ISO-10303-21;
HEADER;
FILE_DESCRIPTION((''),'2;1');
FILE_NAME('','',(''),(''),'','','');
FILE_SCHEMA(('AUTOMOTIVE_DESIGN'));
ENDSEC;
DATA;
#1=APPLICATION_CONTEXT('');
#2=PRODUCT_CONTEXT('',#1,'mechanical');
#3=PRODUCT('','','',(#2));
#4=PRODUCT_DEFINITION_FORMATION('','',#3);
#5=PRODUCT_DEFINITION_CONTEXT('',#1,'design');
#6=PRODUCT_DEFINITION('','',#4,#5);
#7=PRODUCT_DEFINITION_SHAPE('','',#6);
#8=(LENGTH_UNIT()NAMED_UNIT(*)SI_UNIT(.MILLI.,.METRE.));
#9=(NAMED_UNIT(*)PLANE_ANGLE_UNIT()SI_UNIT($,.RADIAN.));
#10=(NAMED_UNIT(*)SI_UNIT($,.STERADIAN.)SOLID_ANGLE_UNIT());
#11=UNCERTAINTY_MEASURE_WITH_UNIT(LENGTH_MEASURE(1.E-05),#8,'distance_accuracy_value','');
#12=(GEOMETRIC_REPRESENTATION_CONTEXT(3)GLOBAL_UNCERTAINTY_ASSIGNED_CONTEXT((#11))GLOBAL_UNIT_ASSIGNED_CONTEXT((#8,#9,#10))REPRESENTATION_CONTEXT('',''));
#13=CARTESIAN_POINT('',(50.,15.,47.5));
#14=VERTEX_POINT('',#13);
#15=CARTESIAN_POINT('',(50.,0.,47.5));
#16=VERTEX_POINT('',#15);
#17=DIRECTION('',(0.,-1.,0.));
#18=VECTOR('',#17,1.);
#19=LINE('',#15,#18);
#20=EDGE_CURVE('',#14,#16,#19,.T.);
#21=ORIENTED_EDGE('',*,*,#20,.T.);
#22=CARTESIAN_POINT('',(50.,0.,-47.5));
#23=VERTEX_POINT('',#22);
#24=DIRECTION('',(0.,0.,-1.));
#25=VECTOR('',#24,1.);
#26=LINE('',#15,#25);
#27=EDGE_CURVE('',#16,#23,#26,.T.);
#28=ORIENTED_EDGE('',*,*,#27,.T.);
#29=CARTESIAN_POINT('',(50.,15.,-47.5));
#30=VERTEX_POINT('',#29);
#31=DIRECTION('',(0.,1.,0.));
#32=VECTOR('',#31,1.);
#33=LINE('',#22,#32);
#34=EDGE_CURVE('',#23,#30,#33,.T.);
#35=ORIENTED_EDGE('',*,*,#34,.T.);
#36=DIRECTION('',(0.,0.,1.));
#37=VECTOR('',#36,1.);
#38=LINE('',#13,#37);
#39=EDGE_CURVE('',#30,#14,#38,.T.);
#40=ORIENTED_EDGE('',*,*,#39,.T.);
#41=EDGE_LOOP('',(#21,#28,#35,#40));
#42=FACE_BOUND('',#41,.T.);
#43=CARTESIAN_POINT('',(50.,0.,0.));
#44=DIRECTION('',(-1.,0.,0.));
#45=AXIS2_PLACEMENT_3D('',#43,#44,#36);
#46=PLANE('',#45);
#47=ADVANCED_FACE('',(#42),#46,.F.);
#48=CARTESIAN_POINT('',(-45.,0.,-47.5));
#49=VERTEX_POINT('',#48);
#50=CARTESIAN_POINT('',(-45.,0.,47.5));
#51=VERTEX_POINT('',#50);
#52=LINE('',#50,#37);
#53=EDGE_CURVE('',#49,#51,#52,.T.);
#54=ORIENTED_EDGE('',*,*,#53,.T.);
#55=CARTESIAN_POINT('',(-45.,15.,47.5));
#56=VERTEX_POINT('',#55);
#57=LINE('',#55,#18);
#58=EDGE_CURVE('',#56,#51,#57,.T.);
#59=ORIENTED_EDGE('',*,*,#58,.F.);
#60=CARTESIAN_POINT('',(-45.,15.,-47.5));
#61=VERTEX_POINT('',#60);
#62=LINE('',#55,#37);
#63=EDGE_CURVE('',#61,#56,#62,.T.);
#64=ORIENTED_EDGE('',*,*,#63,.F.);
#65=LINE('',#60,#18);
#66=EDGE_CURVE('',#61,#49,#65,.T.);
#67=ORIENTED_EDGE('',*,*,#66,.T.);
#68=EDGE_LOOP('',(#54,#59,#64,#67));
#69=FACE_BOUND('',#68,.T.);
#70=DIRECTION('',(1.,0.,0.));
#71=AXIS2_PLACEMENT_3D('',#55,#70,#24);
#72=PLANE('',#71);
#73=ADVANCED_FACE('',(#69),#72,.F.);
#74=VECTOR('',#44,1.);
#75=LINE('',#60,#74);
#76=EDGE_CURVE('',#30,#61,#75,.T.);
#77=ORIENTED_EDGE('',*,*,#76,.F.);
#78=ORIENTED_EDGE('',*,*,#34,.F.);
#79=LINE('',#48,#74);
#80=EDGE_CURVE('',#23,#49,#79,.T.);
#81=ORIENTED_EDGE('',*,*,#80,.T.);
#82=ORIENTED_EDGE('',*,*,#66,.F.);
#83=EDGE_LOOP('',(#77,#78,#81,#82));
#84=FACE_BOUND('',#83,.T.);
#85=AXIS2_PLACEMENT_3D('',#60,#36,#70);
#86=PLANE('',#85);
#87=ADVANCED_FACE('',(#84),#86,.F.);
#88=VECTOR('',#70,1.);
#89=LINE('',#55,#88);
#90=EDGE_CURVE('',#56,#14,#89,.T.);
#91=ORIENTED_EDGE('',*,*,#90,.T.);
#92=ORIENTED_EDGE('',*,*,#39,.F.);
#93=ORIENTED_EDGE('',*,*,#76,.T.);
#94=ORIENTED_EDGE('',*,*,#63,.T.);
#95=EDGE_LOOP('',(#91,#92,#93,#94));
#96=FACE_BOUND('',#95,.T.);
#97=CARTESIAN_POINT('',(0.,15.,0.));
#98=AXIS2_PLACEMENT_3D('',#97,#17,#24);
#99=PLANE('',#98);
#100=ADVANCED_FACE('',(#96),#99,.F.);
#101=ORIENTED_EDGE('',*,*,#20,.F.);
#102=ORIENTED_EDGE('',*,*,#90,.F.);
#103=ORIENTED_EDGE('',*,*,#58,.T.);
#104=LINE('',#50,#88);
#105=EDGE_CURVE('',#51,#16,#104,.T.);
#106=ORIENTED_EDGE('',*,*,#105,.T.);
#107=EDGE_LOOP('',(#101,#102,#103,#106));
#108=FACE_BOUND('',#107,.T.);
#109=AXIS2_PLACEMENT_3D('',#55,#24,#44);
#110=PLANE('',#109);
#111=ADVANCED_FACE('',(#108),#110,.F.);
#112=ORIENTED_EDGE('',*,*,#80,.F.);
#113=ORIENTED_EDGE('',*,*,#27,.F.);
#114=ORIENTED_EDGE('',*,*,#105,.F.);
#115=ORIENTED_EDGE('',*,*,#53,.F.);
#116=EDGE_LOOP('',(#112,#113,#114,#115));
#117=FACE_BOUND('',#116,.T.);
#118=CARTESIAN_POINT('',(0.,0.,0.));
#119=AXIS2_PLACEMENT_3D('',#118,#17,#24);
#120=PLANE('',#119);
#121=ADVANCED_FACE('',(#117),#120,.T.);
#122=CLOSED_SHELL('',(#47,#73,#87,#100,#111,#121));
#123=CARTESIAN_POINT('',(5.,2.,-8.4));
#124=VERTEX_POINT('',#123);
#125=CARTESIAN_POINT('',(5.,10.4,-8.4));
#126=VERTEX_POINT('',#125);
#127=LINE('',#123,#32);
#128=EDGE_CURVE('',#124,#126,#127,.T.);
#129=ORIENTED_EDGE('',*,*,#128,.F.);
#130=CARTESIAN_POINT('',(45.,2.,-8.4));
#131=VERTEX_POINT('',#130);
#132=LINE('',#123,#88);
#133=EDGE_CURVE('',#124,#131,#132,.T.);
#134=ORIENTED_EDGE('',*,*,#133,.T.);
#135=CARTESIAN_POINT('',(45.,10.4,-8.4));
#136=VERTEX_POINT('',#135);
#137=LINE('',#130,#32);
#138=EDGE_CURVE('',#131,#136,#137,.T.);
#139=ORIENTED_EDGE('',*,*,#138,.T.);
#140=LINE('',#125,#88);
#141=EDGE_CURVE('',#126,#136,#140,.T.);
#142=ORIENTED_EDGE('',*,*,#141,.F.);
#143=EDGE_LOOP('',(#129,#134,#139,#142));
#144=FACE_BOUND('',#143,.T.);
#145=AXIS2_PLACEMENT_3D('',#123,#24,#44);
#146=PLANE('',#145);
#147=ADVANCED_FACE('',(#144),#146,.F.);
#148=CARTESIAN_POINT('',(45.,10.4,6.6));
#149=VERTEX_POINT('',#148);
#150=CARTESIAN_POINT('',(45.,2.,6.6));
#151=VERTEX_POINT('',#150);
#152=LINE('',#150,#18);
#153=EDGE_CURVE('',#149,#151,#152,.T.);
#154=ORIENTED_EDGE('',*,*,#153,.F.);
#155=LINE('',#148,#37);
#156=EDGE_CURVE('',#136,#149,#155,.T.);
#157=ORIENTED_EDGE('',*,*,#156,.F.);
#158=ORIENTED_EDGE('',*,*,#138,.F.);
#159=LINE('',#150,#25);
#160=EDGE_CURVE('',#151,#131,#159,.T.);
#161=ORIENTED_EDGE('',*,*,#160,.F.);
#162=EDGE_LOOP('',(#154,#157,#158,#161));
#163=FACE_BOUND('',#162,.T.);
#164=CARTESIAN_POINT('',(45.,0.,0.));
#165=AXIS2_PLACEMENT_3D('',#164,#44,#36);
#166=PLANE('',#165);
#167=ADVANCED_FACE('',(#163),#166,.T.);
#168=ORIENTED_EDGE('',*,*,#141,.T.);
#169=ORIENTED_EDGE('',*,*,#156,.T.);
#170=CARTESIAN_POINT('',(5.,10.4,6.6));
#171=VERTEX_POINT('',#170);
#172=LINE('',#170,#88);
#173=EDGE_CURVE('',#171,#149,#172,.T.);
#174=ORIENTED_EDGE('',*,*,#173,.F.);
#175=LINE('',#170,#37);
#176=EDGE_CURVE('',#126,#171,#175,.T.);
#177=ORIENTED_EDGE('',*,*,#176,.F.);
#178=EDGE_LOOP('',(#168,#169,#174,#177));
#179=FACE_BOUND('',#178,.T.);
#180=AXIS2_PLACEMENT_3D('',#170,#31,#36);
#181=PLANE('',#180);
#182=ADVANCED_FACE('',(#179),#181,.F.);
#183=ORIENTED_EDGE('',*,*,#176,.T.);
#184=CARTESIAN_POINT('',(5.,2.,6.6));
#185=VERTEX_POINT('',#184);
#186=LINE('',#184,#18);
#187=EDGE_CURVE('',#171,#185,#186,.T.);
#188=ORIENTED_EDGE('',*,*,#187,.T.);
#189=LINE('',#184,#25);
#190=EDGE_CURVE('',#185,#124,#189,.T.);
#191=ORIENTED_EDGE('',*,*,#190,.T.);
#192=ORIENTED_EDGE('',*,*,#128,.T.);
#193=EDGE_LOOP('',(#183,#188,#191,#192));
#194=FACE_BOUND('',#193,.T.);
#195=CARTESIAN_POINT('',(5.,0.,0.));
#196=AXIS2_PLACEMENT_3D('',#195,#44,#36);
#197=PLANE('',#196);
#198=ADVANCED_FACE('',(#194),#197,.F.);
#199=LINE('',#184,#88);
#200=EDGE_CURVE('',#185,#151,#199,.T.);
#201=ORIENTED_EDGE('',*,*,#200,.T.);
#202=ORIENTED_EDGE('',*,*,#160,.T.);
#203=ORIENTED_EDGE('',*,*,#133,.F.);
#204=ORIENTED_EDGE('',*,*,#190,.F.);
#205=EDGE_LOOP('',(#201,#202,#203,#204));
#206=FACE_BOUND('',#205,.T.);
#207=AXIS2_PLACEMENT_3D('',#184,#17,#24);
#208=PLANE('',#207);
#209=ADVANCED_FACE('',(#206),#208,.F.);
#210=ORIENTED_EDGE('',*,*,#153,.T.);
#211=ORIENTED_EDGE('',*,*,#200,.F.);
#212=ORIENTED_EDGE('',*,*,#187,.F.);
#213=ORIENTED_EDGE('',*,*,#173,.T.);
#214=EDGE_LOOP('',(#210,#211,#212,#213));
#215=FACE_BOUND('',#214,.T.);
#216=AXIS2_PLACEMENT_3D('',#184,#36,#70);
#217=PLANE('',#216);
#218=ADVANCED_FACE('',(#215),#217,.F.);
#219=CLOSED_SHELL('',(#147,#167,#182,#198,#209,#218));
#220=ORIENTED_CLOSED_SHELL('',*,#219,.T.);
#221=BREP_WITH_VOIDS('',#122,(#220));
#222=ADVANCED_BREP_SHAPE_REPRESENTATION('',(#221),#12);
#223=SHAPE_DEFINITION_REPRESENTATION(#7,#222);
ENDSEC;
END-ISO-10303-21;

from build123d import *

# Parameters (mm, degrees)
SKETCH1_W           = 90
SKETCH1_H           = 95
BOSS_EXTRUDE3_DEPTH = 15
SKETCH5_W           = 15
SKETCH5_H           = 8.4
CUT_EXTRUDE3_DEPTH  = 40
SKETCH7_W           = 95
SKETCH7_H           = 15
BOSS_EXTRUDE4_DEPTH = 5


with BuildPart() as part:
    # Sketch1 → Boss-Extrude3 (new body)
    with BuildSketch(Plane(origin=(0, 0, 0), x_dir=(1, 0, 0), z_dir=(0, 1, 0))):
        Rectangle(SKETCH1_W, SKETCH1_H)
    extrude(amount=BOSS_EXTRUDE3_DEPTH)

    # Sketch5 → Cut-Extrude3 (cut)
    with BuildSketch(Plane(origin=(45, 0, 0), x_dir=(0, 0, -1), z_dir=(1, 0, 0))):
        with Locations((0.9, 6.2)):
            Rectangle(SKETCH5_W, SKETCH5_H)
    extrude(amount=-CUT_EXTRUDE3_DEPTH, mode=Mode.SUBTRACT)

    # Sketch7 → Boss-Extrude4 (add)
    with BuildSketch(Plane(origin=(45, 0, 0), x_dir=(0, 0, -1), z_dir=(1, 0, 0))):
        with Locations((0, 7.5)):
            Rectangle(SKETCH7_W, SKETCH7_H)
    extrude(amount=BOSS_EXTRUDE4_DEPTH)


solid = part.part
